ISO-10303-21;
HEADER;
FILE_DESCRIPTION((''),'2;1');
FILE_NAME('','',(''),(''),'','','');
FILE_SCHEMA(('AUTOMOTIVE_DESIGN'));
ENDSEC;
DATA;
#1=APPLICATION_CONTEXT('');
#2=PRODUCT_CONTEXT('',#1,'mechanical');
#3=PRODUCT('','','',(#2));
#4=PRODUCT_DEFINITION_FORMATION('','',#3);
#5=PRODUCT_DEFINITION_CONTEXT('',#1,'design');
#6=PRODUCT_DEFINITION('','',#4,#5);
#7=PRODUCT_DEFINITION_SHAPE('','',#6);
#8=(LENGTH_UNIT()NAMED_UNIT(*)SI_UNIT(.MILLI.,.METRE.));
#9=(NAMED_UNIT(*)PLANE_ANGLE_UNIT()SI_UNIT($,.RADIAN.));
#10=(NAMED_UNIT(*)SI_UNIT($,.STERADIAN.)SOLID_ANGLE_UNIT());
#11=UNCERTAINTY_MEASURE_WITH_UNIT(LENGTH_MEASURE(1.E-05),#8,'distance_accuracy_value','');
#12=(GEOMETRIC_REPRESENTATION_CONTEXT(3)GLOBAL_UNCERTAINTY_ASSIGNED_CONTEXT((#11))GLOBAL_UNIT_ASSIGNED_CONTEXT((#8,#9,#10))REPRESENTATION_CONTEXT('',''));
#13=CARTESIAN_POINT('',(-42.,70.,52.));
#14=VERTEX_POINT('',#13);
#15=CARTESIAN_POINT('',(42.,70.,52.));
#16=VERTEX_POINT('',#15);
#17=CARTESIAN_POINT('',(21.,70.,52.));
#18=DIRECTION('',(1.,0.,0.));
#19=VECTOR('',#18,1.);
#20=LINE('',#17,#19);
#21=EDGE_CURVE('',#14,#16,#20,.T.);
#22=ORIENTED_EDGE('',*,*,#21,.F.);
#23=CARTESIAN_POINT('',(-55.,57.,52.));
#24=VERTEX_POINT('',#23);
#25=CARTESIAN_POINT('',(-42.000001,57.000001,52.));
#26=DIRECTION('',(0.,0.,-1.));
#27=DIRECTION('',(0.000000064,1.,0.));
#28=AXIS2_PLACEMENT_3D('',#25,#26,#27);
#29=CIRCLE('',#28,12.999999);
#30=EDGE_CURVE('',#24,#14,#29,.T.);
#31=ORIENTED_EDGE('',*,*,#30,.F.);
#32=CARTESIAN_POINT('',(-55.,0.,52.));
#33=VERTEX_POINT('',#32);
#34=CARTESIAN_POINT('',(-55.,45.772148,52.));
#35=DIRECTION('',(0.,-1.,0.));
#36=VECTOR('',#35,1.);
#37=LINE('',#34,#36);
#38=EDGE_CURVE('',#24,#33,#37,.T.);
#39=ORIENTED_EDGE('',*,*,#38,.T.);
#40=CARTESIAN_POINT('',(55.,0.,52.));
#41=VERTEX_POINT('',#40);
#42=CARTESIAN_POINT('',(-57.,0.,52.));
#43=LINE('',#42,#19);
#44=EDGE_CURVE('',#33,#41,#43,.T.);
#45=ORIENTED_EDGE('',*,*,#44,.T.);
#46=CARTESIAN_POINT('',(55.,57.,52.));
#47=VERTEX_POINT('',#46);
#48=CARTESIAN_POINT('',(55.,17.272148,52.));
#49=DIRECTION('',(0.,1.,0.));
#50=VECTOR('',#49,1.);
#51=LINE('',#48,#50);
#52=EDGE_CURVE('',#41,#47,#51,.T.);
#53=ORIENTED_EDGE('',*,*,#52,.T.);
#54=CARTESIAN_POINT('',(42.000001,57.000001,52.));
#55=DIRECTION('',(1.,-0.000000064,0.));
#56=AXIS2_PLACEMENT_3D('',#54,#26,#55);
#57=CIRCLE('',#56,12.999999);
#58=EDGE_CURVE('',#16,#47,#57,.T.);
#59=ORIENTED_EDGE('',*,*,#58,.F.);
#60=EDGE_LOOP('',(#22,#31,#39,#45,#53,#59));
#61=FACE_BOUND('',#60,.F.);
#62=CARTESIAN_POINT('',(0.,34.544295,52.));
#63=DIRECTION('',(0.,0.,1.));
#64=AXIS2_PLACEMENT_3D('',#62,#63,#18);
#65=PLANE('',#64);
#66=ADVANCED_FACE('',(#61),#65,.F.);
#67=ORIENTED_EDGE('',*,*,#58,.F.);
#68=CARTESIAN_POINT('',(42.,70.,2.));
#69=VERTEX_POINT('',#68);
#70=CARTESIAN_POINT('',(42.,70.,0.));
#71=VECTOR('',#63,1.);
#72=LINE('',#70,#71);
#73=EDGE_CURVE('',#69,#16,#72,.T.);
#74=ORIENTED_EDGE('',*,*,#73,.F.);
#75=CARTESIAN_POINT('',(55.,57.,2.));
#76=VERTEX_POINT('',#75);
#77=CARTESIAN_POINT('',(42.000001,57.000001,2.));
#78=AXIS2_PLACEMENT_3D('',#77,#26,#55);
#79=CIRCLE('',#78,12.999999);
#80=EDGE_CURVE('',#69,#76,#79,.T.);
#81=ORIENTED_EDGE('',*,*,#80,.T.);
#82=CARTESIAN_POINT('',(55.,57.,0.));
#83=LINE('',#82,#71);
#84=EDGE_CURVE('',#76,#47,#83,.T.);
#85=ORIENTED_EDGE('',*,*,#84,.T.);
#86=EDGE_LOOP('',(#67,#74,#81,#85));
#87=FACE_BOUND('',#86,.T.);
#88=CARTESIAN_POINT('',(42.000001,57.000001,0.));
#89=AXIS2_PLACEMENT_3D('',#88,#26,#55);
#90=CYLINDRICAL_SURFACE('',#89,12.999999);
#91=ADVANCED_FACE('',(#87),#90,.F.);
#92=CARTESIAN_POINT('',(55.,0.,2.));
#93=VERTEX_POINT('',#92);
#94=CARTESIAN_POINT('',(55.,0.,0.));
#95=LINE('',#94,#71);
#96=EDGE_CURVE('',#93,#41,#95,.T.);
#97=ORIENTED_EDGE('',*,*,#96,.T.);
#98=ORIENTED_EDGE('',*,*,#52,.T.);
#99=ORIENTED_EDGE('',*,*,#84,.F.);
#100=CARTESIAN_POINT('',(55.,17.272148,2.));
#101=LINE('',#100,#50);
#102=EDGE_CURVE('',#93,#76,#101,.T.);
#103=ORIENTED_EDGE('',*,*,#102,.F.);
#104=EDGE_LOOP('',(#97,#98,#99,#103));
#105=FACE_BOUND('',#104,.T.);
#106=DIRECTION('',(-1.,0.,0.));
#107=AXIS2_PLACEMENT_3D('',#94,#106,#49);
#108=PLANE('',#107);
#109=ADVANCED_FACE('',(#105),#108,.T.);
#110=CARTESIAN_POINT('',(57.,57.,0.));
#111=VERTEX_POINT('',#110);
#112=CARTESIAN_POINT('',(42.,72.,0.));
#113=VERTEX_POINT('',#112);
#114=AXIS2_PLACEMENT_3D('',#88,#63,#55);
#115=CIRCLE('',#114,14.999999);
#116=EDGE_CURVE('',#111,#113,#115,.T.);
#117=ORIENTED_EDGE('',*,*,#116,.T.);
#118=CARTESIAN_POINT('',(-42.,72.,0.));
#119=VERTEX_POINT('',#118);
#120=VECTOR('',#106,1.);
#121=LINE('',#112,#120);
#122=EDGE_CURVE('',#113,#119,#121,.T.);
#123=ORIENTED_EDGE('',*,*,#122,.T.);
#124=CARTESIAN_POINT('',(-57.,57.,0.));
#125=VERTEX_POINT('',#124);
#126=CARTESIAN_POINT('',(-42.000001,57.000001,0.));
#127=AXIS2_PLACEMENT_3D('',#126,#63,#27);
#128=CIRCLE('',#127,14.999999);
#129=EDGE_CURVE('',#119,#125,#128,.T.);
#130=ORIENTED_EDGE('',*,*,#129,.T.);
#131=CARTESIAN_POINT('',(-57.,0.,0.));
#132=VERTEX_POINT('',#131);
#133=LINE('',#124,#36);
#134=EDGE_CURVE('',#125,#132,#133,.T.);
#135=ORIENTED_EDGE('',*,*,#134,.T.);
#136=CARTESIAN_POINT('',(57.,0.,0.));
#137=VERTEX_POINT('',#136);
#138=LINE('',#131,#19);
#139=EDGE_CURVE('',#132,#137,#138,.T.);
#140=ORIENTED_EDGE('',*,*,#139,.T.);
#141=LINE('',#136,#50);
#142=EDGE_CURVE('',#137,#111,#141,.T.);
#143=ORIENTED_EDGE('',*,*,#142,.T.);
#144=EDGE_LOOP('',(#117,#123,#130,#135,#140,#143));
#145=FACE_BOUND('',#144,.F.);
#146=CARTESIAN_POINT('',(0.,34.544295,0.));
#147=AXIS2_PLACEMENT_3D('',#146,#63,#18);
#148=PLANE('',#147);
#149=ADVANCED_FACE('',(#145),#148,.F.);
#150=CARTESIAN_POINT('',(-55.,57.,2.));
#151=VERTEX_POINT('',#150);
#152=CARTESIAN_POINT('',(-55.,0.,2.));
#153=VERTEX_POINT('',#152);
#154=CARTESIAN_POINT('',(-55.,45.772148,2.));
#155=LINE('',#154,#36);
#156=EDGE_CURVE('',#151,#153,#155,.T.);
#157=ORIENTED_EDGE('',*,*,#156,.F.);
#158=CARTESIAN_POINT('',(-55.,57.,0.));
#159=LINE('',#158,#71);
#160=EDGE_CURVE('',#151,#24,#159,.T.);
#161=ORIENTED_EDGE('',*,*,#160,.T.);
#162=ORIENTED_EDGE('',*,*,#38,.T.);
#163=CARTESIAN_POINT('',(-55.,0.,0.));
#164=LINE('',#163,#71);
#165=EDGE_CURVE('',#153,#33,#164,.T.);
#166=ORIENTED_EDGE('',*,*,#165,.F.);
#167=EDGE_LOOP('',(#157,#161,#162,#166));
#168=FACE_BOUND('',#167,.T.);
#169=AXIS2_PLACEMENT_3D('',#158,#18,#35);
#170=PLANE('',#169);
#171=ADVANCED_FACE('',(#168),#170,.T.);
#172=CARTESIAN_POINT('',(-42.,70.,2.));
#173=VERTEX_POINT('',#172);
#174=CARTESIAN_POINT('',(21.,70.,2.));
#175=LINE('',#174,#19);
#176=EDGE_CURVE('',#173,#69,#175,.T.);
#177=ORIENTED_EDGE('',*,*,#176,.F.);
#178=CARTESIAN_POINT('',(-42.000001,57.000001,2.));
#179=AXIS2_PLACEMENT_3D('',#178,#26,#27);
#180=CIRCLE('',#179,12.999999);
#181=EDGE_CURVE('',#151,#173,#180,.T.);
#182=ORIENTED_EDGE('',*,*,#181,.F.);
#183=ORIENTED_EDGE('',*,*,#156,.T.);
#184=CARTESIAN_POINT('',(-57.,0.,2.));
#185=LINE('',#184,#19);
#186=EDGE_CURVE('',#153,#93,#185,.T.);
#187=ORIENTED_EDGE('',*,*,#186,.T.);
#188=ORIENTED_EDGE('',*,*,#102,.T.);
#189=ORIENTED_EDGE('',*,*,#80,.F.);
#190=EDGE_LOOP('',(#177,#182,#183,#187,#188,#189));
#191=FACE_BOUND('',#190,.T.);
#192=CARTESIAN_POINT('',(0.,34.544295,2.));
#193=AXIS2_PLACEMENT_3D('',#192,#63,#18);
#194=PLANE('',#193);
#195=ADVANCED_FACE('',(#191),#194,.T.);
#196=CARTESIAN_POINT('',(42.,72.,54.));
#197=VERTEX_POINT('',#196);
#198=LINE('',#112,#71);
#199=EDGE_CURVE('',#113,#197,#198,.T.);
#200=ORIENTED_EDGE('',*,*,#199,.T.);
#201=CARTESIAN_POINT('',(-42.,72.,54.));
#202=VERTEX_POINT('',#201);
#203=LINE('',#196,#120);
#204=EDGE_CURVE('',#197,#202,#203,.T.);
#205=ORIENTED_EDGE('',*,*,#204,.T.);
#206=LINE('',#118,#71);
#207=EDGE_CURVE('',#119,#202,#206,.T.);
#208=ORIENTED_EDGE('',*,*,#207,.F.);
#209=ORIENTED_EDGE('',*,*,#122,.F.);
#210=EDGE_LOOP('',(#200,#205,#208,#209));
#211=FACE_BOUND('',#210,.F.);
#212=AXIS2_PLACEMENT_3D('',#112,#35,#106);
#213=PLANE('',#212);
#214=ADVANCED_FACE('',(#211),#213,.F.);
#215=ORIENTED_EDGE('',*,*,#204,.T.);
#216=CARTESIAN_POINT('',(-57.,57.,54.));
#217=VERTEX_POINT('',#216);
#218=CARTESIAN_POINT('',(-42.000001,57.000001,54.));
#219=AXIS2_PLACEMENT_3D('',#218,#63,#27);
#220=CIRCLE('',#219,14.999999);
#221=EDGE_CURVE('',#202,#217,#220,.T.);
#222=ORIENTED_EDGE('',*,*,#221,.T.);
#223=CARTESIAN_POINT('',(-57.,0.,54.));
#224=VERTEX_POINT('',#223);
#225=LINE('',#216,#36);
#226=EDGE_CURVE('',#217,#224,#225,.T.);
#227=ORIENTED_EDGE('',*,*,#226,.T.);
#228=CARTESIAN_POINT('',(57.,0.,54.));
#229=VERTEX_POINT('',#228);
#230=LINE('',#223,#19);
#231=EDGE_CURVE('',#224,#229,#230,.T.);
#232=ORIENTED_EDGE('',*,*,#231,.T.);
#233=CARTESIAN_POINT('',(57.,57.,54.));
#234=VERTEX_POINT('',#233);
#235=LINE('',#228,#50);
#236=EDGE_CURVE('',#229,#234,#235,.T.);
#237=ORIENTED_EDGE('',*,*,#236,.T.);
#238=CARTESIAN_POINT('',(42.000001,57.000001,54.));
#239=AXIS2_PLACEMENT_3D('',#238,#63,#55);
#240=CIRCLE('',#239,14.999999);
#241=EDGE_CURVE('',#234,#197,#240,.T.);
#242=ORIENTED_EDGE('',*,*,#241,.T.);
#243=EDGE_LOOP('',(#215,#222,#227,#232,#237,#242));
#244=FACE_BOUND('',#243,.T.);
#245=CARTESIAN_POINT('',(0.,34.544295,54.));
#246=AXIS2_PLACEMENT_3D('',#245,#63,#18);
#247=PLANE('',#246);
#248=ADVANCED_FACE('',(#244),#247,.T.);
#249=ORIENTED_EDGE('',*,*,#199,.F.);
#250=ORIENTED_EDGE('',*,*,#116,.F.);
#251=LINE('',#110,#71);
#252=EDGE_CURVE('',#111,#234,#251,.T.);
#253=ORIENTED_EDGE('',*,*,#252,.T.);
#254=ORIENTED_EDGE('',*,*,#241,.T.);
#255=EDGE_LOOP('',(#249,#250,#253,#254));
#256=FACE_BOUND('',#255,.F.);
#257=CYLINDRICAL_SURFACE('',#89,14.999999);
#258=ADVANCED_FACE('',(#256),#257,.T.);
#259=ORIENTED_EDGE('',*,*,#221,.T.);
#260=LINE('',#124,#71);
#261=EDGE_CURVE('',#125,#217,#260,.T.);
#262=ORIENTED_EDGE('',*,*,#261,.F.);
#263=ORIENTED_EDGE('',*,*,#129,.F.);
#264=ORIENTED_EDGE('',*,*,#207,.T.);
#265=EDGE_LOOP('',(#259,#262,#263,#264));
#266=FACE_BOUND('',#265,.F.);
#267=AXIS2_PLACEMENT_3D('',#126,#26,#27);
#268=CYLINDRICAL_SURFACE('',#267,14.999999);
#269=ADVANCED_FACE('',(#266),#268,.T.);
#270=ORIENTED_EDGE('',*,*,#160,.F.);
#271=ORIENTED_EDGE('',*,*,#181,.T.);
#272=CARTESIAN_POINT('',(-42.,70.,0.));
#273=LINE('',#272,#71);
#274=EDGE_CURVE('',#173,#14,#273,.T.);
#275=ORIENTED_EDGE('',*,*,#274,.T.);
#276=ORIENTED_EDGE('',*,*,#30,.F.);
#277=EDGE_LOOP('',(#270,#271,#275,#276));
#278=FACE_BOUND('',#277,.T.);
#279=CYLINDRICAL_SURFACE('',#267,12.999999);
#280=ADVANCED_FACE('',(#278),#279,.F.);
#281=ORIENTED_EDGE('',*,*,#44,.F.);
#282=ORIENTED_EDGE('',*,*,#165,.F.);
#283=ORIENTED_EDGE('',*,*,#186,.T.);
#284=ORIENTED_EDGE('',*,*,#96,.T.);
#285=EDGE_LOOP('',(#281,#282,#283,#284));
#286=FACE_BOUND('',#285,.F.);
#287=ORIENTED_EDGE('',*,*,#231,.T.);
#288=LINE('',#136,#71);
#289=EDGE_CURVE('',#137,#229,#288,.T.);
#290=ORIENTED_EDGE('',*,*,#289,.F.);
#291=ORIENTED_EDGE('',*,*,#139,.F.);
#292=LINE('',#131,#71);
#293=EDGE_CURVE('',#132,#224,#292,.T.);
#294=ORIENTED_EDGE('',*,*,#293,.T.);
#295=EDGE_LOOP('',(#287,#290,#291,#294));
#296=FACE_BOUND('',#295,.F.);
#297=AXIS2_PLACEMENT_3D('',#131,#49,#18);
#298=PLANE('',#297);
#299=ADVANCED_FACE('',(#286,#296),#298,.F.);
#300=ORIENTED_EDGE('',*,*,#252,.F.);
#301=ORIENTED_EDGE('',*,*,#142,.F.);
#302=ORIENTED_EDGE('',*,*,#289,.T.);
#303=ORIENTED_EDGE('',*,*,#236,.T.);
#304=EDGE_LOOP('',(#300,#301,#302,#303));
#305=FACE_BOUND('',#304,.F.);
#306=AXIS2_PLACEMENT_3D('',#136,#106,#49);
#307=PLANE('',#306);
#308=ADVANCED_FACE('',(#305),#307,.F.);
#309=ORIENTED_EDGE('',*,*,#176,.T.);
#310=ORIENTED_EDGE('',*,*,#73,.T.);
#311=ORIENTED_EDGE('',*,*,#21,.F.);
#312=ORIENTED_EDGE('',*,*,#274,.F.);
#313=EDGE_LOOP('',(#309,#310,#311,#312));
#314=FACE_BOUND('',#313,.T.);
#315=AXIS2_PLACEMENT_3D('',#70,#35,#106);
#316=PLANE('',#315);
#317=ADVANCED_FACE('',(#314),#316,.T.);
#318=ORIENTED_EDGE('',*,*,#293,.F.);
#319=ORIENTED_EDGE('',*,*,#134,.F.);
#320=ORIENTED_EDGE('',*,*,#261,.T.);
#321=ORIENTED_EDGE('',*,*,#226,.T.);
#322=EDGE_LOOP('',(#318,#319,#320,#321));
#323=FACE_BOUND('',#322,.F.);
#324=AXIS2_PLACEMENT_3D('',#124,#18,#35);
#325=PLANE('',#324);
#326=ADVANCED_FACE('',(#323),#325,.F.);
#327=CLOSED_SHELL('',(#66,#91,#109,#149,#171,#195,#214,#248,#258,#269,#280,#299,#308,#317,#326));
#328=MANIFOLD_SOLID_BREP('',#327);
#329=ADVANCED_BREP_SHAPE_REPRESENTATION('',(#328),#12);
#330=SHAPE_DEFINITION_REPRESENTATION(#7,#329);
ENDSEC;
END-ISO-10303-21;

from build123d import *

# Parameters (mm, degrees)
F1_DEPTH = 54
F2_T     = -2


with BuildPart() as f1:
    # F0 (on Top) → F1 (new body)
    with BuildSketch(Plane.XY):
        with BuildLine():
            Line((-57, 57), (-57, 0))
            Line((-57, 0), (0, 0))
            Line((0, 0), (57, 0))
            Line((57, 0), (57, 57))
            ThreePointArc((57, 57), (52.606602, 67.606602), (42, 72))
            Line((42, 72), (0, 72))
            Line((0, 72), (-42, 72))
            ThreePointArc((-42, 72), (-52.606602, 67.606602), (-57, 57))
        make_face()
    extrude(amount=F1_DEPTH)

    # F2
    f2_openings = [f1.faces().sort_by_distance(p)[0] for p in [
        (0, 0, 27),
    ]]
    offset(amount=F2_T, openings=f2_openings)


solid = f1.part
